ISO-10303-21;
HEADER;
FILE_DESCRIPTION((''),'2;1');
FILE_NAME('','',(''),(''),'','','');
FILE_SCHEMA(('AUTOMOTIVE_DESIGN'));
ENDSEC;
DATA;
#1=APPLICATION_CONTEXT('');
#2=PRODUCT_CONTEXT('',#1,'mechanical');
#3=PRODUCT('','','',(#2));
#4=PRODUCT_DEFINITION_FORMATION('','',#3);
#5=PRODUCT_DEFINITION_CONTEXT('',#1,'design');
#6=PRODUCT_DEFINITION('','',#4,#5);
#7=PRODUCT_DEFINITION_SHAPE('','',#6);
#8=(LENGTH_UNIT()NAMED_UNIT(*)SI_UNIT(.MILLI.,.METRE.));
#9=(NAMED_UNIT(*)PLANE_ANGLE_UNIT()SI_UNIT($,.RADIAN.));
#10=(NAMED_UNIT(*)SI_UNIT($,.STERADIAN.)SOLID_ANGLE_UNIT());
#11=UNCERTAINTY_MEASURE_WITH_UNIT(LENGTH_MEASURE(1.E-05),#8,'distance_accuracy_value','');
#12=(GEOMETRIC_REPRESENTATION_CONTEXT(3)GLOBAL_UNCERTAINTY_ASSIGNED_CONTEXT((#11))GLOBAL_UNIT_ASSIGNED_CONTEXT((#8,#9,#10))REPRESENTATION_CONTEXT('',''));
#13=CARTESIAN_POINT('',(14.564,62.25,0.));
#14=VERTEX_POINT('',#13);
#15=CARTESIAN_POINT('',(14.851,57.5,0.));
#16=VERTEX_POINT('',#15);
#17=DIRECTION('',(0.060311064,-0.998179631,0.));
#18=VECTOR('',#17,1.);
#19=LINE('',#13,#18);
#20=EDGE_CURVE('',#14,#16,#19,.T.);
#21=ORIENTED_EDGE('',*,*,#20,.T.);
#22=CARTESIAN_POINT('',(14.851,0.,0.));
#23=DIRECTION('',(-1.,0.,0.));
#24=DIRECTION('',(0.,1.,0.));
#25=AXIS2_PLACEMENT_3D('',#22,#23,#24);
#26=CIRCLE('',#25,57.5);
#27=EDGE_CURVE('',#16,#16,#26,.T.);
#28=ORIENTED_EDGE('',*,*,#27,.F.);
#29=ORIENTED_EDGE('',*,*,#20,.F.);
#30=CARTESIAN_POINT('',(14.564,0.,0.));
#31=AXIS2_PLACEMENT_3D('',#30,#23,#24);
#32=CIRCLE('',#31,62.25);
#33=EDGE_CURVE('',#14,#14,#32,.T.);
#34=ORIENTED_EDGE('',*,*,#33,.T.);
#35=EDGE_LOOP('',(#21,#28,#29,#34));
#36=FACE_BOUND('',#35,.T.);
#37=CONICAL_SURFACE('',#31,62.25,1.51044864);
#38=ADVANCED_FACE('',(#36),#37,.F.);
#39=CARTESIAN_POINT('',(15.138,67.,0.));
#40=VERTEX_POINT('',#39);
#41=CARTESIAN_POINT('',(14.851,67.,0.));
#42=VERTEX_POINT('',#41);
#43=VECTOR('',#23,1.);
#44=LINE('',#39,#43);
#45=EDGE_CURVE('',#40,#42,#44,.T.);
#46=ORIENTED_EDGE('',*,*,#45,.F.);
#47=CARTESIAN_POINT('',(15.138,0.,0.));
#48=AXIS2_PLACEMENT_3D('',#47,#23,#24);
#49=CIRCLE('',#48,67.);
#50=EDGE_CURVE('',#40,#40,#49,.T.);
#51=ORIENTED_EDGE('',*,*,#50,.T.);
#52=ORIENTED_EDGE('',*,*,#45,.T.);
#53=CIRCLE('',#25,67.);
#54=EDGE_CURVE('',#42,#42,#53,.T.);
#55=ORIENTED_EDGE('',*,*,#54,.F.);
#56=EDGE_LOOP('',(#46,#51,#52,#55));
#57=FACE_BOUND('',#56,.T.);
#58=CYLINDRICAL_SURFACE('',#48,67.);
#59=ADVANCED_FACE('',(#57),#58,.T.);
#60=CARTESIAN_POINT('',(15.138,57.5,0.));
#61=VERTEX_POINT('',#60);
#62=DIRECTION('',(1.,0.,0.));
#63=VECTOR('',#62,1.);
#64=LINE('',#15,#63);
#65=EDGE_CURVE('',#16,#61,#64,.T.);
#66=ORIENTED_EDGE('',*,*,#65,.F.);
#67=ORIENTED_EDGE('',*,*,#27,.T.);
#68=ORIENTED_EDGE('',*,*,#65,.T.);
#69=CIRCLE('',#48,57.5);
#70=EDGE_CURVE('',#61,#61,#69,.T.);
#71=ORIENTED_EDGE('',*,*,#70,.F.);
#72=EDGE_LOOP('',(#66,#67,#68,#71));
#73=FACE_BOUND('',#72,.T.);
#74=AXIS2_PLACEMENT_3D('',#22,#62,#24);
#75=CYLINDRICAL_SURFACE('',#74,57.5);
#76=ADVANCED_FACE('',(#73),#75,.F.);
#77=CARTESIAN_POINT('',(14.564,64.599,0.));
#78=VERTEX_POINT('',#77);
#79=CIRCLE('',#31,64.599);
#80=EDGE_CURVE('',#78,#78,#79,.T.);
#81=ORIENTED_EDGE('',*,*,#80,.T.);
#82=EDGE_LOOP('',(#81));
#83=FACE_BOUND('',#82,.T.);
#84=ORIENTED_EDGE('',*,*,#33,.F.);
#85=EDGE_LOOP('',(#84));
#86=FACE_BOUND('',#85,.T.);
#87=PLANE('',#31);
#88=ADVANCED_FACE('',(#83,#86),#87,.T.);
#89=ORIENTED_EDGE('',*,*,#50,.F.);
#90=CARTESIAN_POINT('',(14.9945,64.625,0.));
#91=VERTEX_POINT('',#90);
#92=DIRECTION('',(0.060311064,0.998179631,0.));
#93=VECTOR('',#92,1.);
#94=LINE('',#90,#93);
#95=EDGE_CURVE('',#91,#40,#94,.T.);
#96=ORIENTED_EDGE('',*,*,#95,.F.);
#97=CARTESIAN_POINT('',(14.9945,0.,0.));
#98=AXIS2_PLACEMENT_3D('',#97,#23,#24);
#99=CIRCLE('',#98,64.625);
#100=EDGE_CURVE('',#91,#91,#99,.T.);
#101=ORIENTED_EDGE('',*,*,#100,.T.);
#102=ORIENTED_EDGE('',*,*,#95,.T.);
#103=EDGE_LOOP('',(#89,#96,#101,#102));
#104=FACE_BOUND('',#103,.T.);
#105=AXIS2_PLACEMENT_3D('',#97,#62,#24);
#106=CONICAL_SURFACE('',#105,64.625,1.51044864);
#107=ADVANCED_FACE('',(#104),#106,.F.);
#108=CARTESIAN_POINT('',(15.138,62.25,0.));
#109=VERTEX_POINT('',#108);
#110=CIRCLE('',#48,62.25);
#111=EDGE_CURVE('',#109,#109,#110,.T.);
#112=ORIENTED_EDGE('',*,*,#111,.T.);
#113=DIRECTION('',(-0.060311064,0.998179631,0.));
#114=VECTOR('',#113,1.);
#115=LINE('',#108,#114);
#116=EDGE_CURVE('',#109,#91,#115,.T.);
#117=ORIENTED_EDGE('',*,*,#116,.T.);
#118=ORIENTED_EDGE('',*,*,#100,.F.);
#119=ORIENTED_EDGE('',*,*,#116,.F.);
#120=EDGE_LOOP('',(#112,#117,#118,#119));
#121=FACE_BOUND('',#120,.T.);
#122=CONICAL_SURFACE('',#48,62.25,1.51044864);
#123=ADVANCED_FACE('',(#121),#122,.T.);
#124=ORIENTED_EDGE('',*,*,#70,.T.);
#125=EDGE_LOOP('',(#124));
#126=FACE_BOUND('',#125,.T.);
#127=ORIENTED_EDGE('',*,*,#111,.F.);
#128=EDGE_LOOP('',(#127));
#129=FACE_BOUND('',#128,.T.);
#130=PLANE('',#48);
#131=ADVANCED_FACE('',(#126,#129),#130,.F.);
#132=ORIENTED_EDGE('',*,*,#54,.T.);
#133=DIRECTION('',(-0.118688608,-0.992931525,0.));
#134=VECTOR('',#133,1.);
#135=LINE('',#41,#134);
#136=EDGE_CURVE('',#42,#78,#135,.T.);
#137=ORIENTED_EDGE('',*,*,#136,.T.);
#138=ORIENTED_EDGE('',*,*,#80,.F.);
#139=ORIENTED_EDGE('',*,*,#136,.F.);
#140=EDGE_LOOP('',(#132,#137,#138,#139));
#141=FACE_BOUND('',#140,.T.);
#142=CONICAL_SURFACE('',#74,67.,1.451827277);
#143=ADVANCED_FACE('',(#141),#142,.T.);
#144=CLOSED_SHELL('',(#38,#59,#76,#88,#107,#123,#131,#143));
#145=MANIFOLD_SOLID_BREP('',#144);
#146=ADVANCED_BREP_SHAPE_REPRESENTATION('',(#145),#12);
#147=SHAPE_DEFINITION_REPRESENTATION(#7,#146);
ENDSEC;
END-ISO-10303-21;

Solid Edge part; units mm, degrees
sketch "Sketch1" plane through (0, 0, 0) normal (0, 0, 1) x (1, 0, 0)
  line L0 (14.564, 64.599) -> (14.564, 62.25)
  line L1 (14.564, 62.25) -> (14.851, 57.5)
  line L2 (14.851, 57.5) -> (15.138, 57.5)
  line L3 (15.138, 57.5) -> (15.138, 62.25)
  line L4 (15.138, 62.25) -> (14.9945, 64.625)
  line L5 (14.9945, 64.625) -> (15.138, 67)
  line L6 (15.138, 67) -> (14.851, 67)
  line L7 (14.851, 67) -> (14.564, 64.599)
revolve "RevolvedProtrusion1" add sketch "Sketch1" angle 360 about axis through (50, 0, 0) along (-1, 0, 0)
